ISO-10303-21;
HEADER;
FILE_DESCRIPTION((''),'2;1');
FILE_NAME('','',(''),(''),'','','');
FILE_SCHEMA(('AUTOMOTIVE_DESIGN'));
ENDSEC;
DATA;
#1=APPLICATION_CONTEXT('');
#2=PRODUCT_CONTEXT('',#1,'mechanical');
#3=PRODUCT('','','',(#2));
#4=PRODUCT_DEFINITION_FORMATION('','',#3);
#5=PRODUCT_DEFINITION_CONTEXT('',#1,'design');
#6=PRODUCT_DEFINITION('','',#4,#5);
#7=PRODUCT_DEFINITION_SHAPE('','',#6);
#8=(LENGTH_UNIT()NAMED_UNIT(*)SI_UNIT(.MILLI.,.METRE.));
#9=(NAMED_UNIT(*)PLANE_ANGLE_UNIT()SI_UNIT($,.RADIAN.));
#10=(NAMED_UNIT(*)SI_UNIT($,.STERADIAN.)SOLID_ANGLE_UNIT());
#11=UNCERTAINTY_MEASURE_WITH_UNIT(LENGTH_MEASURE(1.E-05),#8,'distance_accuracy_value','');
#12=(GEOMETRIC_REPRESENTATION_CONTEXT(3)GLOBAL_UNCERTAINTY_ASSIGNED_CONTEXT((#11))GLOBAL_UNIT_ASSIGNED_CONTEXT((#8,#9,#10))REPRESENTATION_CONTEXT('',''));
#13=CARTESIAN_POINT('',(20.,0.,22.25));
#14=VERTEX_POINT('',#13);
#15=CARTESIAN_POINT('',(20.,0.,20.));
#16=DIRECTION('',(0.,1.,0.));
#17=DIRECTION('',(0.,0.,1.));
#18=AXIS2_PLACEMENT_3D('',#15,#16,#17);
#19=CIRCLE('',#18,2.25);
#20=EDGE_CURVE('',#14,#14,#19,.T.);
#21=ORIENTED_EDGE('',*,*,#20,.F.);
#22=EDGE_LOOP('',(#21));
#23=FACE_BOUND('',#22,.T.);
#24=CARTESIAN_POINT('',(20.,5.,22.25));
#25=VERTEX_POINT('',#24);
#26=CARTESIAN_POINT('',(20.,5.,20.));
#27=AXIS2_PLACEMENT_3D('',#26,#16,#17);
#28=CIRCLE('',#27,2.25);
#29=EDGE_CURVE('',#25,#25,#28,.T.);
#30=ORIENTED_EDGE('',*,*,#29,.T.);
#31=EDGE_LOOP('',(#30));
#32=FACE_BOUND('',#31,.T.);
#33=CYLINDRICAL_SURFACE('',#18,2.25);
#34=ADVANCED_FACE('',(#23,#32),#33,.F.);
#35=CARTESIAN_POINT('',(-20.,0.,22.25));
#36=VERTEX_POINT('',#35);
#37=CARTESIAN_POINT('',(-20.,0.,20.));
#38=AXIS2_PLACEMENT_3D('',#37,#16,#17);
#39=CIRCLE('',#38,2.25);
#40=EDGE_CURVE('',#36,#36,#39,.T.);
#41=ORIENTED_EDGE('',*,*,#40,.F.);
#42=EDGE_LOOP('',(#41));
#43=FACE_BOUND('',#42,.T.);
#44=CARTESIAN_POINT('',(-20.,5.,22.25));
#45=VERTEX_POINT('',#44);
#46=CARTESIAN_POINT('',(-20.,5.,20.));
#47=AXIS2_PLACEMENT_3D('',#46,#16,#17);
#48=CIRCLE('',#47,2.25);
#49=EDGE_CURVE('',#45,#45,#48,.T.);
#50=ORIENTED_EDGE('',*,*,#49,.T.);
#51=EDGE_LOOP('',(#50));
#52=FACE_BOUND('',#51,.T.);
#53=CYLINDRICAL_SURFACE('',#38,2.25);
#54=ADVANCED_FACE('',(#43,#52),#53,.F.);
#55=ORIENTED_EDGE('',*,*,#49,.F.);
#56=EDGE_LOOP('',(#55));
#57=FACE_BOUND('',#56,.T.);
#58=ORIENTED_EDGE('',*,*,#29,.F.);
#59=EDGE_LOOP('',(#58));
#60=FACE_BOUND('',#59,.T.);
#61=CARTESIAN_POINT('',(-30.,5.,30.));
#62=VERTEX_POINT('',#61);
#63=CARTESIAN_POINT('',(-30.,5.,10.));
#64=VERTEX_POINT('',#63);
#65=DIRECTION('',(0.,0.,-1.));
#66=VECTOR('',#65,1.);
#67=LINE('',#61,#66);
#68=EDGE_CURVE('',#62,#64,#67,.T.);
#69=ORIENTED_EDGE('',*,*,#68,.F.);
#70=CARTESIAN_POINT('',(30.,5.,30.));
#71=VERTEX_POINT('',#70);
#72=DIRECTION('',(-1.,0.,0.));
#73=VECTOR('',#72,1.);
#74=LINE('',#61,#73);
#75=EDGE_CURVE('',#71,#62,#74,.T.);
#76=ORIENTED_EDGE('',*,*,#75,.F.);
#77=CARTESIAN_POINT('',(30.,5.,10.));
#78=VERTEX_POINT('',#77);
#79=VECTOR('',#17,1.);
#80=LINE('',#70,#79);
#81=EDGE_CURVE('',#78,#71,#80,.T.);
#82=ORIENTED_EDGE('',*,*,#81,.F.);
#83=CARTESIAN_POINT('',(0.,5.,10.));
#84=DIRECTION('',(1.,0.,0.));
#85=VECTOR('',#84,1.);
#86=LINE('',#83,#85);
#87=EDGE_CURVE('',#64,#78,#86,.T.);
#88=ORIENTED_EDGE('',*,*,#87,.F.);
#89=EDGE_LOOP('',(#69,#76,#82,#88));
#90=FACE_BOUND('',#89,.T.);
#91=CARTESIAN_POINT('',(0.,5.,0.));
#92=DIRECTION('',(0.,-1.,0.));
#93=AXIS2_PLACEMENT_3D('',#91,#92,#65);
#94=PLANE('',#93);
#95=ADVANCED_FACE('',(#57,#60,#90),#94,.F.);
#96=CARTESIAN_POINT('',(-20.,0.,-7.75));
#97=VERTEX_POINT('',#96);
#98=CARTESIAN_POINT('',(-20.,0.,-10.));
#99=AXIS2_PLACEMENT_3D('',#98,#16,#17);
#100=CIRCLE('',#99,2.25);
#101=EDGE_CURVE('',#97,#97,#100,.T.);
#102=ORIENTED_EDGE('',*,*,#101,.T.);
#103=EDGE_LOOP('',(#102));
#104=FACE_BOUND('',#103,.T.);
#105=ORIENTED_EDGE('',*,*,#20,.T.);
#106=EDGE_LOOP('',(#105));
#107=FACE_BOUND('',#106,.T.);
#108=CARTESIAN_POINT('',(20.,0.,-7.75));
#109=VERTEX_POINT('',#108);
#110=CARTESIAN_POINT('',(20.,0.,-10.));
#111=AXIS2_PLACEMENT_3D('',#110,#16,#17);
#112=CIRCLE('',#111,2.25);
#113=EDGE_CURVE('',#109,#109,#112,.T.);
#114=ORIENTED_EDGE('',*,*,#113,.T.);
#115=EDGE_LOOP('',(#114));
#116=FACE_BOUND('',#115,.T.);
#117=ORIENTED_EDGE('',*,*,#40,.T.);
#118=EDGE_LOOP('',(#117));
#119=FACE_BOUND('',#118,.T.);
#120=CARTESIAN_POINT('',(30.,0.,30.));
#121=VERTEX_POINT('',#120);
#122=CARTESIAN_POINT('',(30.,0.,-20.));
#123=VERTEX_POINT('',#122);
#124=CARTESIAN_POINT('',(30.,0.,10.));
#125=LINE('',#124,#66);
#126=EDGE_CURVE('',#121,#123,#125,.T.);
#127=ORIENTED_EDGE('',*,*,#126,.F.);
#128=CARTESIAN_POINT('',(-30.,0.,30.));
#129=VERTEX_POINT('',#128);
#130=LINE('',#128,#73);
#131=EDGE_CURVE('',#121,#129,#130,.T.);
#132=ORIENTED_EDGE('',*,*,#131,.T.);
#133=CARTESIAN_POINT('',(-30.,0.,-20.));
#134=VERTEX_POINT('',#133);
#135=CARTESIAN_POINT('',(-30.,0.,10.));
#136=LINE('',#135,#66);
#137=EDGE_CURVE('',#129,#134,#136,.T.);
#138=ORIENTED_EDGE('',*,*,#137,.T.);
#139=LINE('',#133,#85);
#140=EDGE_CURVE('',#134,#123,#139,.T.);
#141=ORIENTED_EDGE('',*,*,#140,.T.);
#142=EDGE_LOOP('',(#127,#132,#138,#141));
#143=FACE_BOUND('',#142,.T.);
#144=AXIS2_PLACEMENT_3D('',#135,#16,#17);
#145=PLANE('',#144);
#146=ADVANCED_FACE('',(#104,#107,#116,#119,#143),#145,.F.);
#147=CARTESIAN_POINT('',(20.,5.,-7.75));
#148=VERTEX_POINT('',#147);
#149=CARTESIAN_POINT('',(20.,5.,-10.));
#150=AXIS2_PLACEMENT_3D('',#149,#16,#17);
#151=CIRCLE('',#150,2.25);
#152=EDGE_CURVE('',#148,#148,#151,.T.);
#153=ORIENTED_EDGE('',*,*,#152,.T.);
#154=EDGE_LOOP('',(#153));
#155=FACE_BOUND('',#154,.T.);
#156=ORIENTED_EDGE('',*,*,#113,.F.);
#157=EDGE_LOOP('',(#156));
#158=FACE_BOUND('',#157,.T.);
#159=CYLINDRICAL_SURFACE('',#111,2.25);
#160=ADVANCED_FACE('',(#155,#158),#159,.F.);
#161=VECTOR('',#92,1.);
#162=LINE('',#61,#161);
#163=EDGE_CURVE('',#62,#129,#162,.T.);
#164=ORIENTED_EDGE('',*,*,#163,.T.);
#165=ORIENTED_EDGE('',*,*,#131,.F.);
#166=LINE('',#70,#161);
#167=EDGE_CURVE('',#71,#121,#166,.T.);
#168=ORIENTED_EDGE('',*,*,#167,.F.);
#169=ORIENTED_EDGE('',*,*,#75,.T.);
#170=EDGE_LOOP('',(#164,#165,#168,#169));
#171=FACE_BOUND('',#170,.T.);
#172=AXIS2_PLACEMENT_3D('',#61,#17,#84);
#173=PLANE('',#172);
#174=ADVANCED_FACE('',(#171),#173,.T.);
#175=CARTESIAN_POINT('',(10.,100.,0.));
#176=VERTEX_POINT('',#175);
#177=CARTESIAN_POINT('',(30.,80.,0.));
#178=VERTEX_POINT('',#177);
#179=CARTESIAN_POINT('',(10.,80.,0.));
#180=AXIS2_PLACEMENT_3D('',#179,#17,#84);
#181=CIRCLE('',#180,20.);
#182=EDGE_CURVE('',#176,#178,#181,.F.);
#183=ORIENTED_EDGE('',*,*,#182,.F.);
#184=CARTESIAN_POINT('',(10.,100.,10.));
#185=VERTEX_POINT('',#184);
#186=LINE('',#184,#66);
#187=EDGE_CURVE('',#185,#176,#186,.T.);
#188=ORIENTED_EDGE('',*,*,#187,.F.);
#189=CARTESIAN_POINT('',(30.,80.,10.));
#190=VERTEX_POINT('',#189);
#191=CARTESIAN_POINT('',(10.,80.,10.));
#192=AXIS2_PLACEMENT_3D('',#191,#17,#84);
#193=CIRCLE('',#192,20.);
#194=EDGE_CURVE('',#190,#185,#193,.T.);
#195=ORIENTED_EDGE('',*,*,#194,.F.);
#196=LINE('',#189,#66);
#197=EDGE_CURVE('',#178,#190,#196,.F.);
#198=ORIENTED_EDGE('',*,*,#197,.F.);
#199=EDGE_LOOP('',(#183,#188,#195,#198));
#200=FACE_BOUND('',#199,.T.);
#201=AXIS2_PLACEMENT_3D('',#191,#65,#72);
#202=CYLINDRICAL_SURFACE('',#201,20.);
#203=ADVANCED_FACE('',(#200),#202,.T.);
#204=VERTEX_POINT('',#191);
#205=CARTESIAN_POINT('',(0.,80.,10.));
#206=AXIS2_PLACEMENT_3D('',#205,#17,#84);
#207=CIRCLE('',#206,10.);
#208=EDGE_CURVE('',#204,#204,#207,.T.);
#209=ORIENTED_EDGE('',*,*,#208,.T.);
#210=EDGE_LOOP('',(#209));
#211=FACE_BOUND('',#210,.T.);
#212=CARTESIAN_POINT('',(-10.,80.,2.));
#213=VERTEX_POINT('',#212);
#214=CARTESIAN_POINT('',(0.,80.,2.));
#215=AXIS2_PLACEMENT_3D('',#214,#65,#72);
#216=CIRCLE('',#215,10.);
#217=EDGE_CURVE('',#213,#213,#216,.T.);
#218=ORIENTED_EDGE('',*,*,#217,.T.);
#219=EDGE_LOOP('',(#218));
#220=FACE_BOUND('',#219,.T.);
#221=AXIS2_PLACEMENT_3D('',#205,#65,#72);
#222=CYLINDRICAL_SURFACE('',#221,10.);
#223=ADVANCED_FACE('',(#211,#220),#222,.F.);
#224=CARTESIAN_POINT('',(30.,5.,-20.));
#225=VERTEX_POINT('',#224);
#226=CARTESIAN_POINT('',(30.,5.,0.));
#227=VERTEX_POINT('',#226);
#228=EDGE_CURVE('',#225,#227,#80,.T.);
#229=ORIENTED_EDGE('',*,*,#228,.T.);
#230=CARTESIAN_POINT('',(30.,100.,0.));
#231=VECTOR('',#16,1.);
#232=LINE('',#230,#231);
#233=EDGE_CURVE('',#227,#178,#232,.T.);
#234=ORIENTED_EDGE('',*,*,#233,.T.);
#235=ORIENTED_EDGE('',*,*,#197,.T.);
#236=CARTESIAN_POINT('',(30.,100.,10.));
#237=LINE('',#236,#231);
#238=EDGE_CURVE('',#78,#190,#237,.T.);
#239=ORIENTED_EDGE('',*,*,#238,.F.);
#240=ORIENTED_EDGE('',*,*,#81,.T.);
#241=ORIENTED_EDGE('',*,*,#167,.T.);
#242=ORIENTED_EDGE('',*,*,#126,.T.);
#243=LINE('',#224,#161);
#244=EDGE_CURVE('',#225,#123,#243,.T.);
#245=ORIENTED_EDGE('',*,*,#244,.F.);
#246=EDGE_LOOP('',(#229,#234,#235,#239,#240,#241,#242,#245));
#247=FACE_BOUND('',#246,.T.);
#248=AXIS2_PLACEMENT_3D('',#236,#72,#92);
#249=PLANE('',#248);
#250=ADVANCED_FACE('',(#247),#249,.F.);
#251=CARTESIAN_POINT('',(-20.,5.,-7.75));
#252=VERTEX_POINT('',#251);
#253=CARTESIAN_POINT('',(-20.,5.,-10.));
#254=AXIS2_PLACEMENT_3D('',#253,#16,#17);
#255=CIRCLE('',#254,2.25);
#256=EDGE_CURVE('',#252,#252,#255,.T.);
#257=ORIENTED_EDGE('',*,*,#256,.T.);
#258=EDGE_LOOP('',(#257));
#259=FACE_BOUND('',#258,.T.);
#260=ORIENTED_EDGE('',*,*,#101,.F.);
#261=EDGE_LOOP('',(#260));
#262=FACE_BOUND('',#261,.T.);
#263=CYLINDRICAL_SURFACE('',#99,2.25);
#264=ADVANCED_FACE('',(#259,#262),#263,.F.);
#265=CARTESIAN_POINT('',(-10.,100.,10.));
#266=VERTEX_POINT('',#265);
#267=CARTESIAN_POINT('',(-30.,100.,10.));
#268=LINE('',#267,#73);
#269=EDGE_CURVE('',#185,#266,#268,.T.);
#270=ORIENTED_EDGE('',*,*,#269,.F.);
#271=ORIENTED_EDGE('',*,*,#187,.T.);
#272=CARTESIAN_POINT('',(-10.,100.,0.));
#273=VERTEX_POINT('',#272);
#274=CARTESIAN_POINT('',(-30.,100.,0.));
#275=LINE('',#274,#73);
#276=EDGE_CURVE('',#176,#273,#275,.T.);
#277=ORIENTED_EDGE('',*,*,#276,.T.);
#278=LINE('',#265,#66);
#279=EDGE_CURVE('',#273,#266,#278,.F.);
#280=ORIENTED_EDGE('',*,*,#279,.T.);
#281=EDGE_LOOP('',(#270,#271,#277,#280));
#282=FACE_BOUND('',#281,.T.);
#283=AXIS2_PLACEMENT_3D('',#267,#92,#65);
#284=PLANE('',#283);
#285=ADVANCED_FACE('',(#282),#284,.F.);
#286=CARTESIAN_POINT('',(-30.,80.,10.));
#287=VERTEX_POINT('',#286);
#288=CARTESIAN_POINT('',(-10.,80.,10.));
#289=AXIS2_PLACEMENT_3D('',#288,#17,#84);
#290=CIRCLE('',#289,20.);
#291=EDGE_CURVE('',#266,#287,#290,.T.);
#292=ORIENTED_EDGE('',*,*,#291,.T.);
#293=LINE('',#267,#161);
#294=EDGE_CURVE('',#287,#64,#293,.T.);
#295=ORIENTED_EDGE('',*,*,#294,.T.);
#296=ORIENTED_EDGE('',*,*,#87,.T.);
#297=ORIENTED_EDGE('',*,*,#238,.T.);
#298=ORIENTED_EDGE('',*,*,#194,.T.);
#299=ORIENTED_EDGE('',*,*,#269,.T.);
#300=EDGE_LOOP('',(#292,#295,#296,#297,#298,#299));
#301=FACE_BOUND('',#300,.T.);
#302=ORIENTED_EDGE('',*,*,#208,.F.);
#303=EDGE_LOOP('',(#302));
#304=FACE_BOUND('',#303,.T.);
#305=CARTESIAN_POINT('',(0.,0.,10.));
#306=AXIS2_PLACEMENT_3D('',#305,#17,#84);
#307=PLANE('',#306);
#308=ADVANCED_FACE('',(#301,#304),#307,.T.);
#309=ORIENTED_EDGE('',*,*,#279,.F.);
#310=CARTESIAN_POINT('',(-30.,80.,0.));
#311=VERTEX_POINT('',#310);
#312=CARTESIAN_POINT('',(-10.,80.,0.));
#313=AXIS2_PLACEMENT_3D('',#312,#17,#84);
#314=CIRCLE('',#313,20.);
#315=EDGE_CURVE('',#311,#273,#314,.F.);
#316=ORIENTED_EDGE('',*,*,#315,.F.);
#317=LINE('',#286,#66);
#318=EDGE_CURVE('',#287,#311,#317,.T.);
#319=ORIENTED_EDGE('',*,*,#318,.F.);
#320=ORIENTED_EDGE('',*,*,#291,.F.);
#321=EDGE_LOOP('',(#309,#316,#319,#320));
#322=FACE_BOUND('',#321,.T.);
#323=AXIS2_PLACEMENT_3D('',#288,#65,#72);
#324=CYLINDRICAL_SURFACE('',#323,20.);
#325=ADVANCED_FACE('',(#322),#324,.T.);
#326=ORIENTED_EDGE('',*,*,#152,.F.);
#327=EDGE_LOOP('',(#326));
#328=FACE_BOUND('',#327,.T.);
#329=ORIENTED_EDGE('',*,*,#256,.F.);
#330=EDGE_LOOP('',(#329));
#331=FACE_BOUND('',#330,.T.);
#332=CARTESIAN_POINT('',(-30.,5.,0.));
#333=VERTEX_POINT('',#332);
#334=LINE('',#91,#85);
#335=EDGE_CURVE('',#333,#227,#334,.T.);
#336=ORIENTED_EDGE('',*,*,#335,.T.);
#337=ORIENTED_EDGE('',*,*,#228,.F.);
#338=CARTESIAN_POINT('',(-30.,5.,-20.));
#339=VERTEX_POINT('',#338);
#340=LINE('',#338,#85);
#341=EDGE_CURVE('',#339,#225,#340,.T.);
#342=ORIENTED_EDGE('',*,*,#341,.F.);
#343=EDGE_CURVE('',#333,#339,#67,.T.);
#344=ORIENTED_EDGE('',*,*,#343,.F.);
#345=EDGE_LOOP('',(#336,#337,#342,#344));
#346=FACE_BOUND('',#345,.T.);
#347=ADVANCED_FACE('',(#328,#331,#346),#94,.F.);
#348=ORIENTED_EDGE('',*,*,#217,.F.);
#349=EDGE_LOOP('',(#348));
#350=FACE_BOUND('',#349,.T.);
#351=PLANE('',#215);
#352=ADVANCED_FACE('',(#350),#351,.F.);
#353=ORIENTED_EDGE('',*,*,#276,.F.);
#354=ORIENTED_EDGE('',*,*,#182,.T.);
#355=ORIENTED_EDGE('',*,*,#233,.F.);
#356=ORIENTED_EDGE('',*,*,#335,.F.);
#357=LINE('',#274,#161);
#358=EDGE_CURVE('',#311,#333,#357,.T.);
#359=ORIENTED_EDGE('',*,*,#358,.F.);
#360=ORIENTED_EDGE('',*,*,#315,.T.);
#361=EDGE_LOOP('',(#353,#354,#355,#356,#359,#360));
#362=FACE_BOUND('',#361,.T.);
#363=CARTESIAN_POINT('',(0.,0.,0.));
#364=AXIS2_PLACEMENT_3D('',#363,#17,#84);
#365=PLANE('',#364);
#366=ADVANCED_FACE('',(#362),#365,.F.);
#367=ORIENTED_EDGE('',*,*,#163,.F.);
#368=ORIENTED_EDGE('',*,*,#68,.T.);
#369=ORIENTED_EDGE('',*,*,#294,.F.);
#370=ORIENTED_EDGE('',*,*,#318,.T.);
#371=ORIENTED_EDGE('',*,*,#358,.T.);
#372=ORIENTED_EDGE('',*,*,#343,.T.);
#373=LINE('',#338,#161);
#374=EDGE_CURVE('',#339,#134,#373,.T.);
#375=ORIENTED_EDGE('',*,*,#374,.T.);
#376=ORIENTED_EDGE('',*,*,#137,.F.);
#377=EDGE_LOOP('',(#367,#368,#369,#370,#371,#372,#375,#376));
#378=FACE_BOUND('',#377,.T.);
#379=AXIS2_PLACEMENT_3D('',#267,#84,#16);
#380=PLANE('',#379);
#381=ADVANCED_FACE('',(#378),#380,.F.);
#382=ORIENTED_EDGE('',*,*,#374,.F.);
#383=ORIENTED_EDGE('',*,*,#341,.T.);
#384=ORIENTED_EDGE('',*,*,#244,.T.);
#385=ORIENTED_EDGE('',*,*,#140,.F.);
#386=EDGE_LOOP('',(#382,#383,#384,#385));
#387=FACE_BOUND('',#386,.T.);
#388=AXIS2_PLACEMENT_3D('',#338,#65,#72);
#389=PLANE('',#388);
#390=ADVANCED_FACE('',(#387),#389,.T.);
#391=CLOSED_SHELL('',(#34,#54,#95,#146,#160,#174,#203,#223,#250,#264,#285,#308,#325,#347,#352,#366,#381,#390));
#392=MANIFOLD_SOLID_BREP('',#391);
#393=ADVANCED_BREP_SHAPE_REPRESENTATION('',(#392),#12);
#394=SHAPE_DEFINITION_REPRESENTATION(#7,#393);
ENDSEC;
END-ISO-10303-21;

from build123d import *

# Parameters (mm, degrees)
SKETCH_1_W          = 60
SKETCH_1_H          = 100
SKETCH_1_R          = 10
EXTRUDE_1_DEPTH     = 10
SKETCH_2_R          = 10
EXTRUDE_2_DEPTH     = 2
FILLET_1_R          = 20
SKETCH_3_W          = 60
SKETCH_3_H          = 50
EXTRUDE_3_DEPTH     = 5
SKETCH_4_R          = 2.25
CUT_EXTRUDE_1_DEPTH = 105.043260233


with BuildPart() as part:
    # 草图1 → 凸台-拉伸1 (new body)
    with BuildSketch(Plane.XY):
        with Locations((0, 50)):
            Rectangle(SKETCH_1_W, SKETCH_1_H)
        with Locations((0, 80)):
            Circle(SKETCH_1_R, mode=Mode.SUBTRACT)
    extrude(amount=EXTRUDE_1_DEPTH)

    # 草图2 → 凸台-拉伸2 (add)
    with BuildSketch(Plane(origin=(0, 0, 0), x_dir=(-1, 0, 0), z_dir=(0, 0, -1))):
        with Locations((0, 80)):
            Circle(SKETCH_2_R)
    extrude(amount=-EXTRUDE_2_DEPTH)

    # 圆角1
    fillet_1_edges = [part.edges().sort_by_distance(p)[0] for p in [
        (-30, 100, 5),
        (30, 100, 5),
    ]]
    fillet(fillet_1_edges, radius=FILLET_1_R)

    # 草图3 → 凸台-拉伸3 (add)
    with BuildSketch(Plane.XZ):
        with Locations((0, 5)):
            Rectangle(SKETCH_3_W, SKETCH_3_H)
    extrude(amount=-EXTRUDE_3_DEPTH)

    # 草图4 → 切除-拉伸1 (cut, through all)
    with BuildSketch(Plane(origin=(0, 5, 0), x_dir=(1, 0, 0), z_dir=(0, 1, 0))):
        with Locations(Location((-20, 10, 0), (0, 0, 270))):
            Circle(SKETCH_4_R)
        with Locations(Location((20, 10, 0), (0, 0, 270))):
            Circle(SKETCH_4_R)
        with Locations(Location((-20, -20, 0), (0, 0, 270))):
            Circle(SKETCH_4_R)
        with Locations(Location((20, -20, 0), (0, 0, 270))):
            Circle(SKETCH_4_R)
    extrude(amount=-CUT_EXTRUDE_1_DEPTH, mode=Mode.SUBTRACT)


solid = part.part
